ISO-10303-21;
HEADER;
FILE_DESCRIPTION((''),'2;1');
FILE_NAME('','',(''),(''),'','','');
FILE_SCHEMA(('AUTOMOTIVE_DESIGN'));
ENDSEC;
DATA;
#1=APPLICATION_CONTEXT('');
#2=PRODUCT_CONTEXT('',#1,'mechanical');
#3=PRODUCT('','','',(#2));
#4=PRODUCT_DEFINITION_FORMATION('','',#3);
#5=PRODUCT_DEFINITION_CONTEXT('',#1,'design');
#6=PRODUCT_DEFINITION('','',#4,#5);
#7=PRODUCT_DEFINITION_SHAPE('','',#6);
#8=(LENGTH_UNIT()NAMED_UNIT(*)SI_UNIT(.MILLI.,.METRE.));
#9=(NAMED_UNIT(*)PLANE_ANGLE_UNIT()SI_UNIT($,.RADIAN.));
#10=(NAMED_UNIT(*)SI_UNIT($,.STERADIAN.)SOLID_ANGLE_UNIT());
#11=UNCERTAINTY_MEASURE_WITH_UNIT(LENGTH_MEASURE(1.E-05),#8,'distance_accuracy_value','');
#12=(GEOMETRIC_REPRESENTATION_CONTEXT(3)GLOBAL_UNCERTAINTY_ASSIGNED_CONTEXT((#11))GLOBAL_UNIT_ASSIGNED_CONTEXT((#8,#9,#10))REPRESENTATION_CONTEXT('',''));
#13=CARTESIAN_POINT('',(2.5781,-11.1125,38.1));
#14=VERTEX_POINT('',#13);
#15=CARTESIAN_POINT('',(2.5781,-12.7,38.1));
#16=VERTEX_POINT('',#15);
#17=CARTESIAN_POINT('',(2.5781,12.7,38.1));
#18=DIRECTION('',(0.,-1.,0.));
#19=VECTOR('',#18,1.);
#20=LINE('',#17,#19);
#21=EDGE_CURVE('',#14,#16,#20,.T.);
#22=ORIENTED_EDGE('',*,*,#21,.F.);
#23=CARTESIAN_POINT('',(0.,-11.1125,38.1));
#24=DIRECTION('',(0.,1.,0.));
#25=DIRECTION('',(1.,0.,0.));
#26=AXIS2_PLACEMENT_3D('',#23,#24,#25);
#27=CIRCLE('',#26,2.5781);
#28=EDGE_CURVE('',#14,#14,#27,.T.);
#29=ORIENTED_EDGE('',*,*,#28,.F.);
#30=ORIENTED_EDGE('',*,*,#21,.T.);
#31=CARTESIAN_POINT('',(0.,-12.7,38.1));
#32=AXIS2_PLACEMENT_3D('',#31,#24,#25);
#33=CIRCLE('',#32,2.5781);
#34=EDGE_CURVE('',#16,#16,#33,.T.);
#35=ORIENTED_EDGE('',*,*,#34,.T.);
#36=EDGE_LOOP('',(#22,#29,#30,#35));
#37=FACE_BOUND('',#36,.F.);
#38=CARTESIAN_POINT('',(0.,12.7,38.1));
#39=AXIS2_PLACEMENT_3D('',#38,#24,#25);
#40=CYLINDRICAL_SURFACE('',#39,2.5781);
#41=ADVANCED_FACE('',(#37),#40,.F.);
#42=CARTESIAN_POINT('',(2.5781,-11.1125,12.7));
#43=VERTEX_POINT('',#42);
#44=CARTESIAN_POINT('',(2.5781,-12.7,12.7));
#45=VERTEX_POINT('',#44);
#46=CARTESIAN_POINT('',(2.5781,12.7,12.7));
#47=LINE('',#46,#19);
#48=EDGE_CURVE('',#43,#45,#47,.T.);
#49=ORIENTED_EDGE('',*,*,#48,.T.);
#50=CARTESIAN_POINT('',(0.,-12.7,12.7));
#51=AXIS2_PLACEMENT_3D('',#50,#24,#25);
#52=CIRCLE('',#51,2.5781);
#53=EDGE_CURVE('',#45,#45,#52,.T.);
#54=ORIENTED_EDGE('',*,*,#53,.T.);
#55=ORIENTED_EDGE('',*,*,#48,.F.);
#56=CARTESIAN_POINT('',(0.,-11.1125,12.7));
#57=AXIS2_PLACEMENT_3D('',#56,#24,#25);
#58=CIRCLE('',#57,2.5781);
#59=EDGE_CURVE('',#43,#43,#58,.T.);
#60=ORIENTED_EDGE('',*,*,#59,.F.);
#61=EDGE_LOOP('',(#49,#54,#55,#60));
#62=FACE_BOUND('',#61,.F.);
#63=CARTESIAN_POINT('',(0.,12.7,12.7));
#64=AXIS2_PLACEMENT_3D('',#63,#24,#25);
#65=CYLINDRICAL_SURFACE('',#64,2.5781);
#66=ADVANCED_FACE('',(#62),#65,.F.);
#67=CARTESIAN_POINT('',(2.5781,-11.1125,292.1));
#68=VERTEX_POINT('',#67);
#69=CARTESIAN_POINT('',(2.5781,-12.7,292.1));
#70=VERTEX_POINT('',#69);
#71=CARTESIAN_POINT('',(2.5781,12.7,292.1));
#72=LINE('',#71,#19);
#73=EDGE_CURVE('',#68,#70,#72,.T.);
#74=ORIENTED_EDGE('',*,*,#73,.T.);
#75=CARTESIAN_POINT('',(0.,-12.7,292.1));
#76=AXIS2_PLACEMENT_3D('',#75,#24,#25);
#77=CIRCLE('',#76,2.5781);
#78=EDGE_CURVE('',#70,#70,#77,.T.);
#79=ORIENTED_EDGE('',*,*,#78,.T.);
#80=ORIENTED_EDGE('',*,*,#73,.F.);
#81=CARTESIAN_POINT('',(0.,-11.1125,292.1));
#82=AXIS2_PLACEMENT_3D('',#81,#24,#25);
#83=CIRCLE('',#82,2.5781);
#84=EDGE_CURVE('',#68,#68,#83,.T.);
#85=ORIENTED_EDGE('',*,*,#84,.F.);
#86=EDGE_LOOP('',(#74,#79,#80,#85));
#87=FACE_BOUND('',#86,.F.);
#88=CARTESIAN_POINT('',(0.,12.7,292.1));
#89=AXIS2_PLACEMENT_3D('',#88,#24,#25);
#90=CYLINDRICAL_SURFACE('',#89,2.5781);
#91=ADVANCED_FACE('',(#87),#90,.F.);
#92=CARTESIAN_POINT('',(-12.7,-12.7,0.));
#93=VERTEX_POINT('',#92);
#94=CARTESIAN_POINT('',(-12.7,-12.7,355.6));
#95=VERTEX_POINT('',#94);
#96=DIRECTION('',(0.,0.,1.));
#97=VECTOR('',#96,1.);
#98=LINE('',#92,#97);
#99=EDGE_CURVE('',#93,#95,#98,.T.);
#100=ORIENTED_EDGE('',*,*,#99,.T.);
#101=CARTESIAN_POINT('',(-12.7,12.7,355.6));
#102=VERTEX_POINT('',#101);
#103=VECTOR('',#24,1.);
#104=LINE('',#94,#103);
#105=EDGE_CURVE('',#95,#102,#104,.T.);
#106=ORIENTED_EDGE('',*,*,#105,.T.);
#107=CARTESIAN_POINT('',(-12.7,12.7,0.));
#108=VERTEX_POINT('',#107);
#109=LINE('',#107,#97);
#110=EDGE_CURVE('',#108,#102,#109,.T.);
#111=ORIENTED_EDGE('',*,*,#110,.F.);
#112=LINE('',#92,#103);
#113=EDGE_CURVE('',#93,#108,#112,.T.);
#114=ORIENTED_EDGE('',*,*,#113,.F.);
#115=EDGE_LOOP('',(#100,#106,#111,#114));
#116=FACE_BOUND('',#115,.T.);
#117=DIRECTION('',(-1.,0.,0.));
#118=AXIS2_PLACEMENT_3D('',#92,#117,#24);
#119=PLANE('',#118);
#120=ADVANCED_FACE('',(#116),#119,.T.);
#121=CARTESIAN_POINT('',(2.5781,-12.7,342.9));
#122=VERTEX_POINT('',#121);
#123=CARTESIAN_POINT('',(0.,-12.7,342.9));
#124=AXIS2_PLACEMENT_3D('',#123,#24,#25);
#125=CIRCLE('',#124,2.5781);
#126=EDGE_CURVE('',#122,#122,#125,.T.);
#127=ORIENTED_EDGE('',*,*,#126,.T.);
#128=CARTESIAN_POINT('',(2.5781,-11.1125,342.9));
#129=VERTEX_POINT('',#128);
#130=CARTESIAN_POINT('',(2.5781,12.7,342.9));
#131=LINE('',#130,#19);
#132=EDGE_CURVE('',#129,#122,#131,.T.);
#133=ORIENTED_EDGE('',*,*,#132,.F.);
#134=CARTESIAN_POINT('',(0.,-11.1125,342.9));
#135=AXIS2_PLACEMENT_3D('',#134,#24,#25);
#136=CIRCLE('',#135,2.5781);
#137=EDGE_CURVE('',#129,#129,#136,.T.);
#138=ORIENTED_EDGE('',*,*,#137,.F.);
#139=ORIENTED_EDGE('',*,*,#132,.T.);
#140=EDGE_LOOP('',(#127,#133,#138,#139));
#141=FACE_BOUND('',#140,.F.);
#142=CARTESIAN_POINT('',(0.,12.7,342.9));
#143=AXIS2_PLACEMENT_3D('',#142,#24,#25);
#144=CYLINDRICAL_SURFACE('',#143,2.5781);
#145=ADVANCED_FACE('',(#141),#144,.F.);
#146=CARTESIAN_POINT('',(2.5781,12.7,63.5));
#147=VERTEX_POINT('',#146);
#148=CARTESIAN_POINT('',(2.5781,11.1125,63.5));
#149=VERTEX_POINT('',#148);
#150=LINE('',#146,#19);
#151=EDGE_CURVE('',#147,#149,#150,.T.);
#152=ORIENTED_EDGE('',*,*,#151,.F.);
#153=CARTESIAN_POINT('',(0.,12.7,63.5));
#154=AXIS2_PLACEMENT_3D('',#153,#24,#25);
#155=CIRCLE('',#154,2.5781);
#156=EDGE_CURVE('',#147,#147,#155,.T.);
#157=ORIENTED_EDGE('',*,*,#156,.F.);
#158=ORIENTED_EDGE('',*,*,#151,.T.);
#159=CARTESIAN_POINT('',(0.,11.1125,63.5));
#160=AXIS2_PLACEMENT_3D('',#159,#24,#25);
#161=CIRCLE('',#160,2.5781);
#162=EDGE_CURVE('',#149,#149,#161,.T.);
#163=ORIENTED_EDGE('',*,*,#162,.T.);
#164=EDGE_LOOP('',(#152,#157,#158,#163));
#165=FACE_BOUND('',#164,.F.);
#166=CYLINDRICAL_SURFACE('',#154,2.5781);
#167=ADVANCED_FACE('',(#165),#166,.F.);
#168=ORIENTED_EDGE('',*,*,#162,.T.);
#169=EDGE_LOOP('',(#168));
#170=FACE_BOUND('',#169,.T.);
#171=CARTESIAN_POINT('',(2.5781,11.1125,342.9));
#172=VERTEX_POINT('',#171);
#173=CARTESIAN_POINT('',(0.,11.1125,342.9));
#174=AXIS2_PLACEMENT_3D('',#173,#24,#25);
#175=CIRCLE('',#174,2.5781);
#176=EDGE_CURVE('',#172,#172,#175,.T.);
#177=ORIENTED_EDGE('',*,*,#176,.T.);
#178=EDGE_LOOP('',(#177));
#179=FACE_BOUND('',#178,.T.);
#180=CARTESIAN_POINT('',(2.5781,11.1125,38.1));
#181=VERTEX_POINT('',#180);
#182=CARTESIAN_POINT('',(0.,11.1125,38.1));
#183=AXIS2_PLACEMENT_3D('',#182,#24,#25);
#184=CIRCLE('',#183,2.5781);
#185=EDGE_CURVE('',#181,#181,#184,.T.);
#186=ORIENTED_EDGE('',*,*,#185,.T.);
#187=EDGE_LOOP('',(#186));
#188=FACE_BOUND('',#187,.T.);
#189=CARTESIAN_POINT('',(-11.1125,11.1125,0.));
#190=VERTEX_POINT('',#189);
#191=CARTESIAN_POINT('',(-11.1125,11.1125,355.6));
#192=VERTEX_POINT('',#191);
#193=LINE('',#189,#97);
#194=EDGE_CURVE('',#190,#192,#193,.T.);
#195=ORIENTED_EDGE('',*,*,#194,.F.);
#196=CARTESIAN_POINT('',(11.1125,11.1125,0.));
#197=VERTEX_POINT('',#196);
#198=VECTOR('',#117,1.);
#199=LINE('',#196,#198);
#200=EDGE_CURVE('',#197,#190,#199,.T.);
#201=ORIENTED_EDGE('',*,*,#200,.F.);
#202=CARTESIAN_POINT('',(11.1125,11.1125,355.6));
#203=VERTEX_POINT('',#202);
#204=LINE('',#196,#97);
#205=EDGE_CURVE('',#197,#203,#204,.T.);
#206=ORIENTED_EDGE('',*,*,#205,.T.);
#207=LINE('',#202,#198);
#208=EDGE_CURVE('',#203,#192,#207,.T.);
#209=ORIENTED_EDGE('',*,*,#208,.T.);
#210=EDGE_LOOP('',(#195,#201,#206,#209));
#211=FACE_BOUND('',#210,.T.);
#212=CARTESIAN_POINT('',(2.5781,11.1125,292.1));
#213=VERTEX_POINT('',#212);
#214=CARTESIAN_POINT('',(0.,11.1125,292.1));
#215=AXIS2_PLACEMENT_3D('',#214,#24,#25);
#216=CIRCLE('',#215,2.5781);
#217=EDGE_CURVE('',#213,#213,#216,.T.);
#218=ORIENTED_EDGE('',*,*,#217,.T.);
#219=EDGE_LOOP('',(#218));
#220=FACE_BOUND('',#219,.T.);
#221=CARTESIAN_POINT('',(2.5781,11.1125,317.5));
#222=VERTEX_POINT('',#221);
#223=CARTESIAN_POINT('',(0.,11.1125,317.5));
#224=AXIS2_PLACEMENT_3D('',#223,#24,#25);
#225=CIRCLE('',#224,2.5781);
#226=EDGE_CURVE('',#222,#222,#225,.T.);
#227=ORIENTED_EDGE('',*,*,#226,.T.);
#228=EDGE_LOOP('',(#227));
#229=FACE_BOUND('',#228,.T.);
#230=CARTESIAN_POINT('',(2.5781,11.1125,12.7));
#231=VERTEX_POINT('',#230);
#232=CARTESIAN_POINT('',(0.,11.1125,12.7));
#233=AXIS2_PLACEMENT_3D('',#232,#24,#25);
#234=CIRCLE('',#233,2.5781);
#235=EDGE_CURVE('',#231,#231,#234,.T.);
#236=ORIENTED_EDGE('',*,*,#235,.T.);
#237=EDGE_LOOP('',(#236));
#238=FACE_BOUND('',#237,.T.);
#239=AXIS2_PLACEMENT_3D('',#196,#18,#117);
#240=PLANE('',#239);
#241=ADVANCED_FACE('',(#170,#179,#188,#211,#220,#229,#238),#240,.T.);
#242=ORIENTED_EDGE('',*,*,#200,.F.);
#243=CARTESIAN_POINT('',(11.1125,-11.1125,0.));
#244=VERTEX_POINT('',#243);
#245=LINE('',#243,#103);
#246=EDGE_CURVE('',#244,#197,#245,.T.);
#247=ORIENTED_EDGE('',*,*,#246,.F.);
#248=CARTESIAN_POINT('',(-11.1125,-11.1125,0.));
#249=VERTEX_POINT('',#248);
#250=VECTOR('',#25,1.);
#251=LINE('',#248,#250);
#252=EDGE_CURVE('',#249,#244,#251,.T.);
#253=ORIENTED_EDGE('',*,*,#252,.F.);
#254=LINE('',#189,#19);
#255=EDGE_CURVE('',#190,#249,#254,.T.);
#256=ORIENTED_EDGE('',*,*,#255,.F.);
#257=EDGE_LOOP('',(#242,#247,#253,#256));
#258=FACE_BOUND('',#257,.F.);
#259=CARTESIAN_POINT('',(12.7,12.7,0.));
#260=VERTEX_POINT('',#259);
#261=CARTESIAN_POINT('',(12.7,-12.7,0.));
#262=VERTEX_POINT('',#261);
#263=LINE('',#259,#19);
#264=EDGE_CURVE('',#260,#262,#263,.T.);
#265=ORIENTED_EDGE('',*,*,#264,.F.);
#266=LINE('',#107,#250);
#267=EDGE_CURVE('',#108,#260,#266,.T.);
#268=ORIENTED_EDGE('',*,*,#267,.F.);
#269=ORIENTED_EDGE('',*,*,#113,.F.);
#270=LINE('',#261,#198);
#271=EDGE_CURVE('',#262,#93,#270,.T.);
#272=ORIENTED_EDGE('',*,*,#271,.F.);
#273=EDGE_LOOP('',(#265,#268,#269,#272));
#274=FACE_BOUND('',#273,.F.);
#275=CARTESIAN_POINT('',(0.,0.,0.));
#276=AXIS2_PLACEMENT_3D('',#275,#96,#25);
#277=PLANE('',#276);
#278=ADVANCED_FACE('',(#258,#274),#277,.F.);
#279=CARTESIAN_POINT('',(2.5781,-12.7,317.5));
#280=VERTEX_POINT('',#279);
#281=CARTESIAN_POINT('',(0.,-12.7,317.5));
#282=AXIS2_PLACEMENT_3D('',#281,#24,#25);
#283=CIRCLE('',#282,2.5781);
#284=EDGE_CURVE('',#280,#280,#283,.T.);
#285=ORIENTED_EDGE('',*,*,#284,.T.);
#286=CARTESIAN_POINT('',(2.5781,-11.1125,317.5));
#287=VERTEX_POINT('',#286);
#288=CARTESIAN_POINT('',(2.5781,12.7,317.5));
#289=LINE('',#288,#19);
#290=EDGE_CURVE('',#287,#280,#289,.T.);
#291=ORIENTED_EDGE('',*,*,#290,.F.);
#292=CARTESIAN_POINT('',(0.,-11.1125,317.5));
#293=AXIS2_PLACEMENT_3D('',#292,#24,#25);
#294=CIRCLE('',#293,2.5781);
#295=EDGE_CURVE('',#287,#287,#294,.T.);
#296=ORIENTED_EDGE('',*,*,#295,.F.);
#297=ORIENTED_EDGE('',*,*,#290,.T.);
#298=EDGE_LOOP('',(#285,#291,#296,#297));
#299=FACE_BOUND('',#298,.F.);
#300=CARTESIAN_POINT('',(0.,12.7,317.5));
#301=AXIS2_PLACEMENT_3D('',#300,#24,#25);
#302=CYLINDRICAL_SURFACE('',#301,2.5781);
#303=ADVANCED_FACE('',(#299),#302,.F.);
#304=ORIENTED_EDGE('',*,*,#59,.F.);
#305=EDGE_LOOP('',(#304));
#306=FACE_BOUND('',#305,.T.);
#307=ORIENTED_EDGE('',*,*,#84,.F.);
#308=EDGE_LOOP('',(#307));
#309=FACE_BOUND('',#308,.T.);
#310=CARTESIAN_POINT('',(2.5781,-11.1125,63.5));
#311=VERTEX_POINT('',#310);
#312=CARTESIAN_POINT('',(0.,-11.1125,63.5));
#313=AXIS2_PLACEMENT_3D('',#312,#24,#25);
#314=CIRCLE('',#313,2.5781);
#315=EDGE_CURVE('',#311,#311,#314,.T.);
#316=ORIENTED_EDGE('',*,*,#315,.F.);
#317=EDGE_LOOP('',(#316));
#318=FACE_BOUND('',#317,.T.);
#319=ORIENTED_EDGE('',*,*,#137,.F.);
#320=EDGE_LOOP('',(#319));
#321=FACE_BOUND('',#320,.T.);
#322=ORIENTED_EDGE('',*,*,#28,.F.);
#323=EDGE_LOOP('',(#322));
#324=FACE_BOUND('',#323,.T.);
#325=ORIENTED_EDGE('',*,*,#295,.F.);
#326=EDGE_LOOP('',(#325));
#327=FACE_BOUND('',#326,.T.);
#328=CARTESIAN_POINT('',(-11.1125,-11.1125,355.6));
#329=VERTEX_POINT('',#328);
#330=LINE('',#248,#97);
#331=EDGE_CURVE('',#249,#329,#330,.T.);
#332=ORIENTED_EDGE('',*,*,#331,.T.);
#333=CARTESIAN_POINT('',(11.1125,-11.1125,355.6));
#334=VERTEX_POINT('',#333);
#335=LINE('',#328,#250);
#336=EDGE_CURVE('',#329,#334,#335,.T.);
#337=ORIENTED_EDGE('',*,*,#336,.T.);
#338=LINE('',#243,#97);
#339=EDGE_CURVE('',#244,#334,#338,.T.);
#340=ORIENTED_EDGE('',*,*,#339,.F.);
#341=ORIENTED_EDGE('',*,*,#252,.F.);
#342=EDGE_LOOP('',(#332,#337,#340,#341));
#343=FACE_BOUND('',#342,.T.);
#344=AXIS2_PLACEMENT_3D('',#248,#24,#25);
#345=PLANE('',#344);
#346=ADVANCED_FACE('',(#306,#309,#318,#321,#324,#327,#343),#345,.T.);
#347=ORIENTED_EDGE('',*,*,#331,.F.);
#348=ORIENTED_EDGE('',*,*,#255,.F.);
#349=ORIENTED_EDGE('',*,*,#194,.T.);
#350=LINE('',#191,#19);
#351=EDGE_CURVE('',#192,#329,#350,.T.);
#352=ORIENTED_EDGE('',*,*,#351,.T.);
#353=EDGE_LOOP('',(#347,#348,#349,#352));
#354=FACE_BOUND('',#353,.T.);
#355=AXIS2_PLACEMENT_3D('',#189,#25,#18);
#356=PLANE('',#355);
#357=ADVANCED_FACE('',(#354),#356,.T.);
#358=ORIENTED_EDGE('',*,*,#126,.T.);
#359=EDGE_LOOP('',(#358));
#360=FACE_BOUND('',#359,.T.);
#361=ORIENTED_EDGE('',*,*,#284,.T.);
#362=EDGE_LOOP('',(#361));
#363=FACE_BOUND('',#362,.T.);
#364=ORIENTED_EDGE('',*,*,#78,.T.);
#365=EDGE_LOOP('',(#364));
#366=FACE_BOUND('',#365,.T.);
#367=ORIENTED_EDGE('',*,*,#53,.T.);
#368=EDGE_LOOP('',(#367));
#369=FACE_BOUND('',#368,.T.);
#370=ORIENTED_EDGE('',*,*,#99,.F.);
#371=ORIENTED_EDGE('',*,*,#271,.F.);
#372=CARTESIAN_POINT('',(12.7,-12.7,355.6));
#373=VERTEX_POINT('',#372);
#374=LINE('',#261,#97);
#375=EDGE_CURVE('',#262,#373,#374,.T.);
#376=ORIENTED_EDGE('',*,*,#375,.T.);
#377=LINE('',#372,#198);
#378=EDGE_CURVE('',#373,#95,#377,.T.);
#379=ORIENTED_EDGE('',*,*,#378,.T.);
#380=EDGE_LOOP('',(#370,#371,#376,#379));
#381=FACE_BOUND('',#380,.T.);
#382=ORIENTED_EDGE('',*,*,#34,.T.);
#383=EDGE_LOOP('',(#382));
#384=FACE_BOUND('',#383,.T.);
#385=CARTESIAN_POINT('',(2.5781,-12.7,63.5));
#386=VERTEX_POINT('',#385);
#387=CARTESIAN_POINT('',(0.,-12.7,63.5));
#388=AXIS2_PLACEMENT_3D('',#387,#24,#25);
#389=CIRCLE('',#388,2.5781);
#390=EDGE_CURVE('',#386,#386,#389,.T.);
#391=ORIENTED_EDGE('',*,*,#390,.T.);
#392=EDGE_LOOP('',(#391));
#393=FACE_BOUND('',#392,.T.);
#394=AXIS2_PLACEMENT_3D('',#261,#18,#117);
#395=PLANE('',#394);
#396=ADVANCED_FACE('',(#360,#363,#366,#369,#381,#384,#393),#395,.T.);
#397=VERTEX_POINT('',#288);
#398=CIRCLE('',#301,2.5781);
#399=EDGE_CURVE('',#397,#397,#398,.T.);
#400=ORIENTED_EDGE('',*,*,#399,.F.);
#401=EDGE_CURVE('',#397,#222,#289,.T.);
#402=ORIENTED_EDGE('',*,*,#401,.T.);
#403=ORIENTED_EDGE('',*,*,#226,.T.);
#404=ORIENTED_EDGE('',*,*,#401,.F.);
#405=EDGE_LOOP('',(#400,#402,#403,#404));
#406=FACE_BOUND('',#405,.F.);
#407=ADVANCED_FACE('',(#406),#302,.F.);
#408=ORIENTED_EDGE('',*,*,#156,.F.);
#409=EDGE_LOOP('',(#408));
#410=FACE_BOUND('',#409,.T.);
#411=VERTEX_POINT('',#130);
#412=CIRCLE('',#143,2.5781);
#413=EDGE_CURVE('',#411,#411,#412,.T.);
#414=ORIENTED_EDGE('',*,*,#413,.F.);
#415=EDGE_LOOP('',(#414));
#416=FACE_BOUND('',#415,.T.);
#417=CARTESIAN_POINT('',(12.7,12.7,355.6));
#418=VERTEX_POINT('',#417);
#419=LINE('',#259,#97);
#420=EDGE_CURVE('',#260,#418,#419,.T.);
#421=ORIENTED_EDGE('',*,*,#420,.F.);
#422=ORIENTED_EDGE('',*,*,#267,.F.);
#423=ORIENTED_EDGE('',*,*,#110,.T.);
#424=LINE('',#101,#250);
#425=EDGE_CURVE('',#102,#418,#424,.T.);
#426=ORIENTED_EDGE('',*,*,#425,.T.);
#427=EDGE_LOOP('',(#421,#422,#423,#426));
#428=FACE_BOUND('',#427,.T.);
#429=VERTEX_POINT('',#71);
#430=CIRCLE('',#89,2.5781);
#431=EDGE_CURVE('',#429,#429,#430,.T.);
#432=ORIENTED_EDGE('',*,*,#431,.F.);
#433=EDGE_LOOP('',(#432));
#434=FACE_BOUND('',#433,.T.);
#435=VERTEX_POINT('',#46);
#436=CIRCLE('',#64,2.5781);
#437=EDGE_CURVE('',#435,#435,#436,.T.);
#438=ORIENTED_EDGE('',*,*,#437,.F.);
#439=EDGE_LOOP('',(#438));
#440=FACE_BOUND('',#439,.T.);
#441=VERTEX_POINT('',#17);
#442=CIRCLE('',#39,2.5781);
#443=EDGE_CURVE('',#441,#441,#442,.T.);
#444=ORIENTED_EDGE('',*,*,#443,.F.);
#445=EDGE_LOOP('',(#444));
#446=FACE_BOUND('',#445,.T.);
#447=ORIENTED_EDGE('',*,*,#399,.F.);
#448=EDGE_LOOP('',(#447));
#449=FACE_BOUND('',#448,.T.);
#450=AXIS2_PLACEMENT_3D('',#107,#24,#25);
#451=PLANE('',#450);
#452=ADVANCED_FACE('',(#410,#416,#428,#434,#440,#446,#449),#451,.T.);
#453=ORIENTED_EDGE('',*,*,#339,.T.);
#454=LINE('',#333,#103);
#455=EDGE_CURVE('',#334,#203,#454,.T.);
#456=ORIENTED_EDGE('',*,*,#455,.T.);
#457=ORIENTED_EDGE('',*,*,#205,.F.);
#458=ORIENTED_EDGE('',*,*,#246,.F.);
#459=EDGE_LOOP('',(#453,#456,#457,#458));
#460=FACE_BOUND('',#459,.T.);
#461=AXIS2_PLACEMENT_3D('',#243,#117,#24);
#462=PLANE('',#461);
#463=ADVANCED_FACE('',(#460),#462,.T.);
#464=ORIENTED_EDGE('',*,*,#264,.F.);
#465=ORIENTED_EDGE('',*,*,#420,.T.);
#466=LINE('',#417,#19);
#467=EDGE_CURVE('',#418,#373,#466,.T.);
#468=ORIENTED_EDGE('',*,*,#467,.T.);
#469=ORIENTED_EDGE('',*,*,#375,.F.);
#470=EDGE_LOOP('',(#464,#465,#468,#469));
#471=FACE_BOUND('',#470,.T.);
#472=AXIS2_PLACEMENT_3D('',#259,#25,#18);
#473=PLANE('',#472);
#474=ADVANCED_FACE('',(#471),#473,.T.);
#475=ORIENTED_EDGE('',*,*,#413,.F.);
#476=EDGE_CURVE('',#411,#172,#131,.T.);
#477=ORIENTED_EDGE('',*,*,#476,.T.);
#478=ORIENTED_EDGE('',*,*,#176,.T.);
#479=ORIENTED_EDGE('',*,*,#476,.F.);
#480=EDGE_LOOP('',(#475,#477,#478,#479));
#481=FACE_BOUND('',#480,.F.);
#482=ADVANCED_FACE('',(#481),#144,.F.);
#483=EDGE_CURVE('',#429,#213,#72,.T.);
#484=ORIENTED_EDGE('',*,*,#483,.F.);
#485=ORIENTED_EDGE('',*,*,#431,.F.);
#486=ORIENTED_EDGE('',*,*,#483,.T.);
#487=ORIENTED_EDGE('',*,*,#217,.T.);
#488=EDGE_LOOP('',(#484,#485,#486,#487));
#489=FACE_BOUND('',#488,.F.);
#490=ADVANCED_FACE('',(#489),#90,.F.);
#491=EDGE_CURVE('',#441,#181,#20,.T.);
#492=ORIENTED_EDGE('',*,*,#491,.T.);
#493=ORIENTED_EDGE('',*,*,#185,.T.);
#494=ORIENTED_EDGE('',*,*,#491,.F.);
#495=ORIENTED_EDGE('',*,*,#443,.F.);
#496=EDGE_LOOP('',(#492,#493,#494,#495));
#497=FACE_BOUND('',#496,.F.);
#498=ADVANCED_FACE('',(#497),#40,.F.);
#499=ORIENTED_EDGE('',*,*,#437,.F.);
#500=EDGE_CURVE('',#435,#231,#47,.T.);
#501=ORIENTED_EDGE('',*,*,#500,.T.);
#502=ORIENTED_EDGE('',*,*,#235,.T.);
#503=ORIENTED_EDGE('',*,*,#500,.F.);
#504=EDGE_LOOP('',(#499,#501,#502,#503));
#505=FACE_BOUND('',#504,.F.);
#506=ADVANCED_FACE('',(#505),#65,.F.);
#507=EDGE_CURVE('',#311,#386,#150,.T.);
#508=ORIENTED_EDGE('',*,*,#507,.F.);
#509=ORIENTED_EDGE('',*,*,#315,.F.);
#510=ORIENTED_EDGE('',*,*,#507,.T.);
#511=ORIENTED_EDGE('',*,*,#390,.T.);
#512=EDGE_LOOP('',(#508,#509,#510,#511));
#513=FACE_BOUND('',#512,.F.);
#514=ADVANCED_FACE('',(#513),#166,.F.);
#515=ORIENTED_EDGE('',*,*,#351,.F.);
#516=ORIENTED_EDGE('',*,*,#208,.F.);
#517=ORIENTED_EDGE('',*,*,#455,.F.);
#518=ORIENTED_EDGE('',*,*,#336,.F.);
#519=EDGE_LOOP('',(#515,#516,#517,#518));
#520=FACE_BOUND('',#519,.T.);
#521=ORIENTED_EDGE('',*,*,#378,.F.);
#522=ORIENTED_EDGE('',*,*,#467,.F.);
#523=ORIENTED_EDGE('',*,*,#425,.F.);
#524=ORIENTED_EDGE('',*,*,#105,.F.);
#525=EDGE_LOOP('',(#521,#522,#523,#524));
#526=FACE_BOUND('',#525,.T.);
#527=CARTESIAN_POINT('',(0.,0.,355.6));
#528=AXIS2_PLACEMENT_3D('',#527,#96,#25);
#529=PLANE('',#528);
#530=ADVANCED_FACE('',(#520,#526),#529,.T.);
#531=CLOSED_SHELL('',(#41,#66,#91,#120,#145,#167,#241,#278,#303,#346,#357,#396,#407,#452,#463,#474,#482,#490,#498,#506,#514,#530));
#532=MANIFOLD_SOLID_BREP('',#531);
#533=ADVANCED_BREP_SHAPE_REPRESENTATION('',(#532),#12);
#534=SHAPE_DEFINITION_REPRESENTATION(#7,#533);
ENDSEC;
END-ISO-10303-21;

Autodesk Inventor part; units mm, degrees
ref_plane "YZ Plane" through (0, 0, 0) normal (1, 0, 0) x (0, 1, 0)
ref_plane "XZ Plane" through (0, 0, 0) normal (0, 1, 0) x (-1, 0, 0)
ref_plane "XY Plane" through (0, 0, 0) normal (0, 0, 1) x (1, 0, 0)
sketch "Sketch1" plane through (0, 0, 0) normal (0, 0, 1) x (1, 0, 0)
  line L0 (-12.7, -12.7) -> (-12.7, 12.7)
  line L1 (-12.7, 12.7) -> (12.7, 12.7)
  line L2 (12.7, 12.7) -> (12.7, -12.7)
  line L3 (12.7, -12.7) -> (-12.7, -12.7)
  line L4 (-12.7, -12.7) -> (12.7, 12.7) construction
  line L5 (-12.7, 12.7) -> (12.7, -12.7) construction
  line L6 (11.1125, 11.1125) -> (-11.1125, 11.1125)
  line L7 (-11.1125, 11.1125) -> (-11.1125, -11.1125)
  line L8 (-11.1125, -11.1125) -> (11.1125, -11.1125)
  line L9 (11.1125, -11.1125) -> (11.1125, 11.1125)
  point P0 (0, 0)
  dimension "d0" = 25.4
  dimension "d1" = 25.4
  dimension "d2" = 1.5875
extrude "Extrusion1" add sketch "Sketch1" along normal blind 355.6
sketch "Sketch2" plane through (-12.7, 12.7, 0) normal (0, 1, 0) x (1, 0, 0)
  line L0 (25.4, 0) -> (0, 0) projected
  line L1 (0, 0) -> (0, -355.6) projected
  line L2 (25.4, -355.6) -> (0, -355.6) projected
  line L3 (25.4, 0) -> (25.4, -355.6) projected
  circle A0 centre (12.7, -12.7) radius 2.5781
  circle A1 centre (12.7, -38.1) radius 2.5781
  circle A2 centre (12.7, -63.5) radius 2.5781
  line L4 (1.5875, 0) -> (1.5875, -355.6) construction
  line L5 (1.5875, -177.8) -> (25.4, -177.8) construction
  circle A3 centre (12.7, -342.9) radius 2.5781
  circle A4 centre (12.7, -317.5) radius 2.5781
  circle A5 centre (12.7, -292.1) radius 2.5781
  point P0 (12.7, 0)
  dimension "d5" = 5.1562
  dimension "d6" = 5.1562
  dimension "d7" = 12.7
  dimension "d8" = 25.4
  dimension "d9" = 25.4
  dimension "d10" = 12.7
extrude "Extrusion2" cut sketch "Sketch2" against normal through all contours A0 | A1 | A2 | A3 | A4 | A5
equation "\"d1\" = d0"
properties part number "14in long 1in square tube"
